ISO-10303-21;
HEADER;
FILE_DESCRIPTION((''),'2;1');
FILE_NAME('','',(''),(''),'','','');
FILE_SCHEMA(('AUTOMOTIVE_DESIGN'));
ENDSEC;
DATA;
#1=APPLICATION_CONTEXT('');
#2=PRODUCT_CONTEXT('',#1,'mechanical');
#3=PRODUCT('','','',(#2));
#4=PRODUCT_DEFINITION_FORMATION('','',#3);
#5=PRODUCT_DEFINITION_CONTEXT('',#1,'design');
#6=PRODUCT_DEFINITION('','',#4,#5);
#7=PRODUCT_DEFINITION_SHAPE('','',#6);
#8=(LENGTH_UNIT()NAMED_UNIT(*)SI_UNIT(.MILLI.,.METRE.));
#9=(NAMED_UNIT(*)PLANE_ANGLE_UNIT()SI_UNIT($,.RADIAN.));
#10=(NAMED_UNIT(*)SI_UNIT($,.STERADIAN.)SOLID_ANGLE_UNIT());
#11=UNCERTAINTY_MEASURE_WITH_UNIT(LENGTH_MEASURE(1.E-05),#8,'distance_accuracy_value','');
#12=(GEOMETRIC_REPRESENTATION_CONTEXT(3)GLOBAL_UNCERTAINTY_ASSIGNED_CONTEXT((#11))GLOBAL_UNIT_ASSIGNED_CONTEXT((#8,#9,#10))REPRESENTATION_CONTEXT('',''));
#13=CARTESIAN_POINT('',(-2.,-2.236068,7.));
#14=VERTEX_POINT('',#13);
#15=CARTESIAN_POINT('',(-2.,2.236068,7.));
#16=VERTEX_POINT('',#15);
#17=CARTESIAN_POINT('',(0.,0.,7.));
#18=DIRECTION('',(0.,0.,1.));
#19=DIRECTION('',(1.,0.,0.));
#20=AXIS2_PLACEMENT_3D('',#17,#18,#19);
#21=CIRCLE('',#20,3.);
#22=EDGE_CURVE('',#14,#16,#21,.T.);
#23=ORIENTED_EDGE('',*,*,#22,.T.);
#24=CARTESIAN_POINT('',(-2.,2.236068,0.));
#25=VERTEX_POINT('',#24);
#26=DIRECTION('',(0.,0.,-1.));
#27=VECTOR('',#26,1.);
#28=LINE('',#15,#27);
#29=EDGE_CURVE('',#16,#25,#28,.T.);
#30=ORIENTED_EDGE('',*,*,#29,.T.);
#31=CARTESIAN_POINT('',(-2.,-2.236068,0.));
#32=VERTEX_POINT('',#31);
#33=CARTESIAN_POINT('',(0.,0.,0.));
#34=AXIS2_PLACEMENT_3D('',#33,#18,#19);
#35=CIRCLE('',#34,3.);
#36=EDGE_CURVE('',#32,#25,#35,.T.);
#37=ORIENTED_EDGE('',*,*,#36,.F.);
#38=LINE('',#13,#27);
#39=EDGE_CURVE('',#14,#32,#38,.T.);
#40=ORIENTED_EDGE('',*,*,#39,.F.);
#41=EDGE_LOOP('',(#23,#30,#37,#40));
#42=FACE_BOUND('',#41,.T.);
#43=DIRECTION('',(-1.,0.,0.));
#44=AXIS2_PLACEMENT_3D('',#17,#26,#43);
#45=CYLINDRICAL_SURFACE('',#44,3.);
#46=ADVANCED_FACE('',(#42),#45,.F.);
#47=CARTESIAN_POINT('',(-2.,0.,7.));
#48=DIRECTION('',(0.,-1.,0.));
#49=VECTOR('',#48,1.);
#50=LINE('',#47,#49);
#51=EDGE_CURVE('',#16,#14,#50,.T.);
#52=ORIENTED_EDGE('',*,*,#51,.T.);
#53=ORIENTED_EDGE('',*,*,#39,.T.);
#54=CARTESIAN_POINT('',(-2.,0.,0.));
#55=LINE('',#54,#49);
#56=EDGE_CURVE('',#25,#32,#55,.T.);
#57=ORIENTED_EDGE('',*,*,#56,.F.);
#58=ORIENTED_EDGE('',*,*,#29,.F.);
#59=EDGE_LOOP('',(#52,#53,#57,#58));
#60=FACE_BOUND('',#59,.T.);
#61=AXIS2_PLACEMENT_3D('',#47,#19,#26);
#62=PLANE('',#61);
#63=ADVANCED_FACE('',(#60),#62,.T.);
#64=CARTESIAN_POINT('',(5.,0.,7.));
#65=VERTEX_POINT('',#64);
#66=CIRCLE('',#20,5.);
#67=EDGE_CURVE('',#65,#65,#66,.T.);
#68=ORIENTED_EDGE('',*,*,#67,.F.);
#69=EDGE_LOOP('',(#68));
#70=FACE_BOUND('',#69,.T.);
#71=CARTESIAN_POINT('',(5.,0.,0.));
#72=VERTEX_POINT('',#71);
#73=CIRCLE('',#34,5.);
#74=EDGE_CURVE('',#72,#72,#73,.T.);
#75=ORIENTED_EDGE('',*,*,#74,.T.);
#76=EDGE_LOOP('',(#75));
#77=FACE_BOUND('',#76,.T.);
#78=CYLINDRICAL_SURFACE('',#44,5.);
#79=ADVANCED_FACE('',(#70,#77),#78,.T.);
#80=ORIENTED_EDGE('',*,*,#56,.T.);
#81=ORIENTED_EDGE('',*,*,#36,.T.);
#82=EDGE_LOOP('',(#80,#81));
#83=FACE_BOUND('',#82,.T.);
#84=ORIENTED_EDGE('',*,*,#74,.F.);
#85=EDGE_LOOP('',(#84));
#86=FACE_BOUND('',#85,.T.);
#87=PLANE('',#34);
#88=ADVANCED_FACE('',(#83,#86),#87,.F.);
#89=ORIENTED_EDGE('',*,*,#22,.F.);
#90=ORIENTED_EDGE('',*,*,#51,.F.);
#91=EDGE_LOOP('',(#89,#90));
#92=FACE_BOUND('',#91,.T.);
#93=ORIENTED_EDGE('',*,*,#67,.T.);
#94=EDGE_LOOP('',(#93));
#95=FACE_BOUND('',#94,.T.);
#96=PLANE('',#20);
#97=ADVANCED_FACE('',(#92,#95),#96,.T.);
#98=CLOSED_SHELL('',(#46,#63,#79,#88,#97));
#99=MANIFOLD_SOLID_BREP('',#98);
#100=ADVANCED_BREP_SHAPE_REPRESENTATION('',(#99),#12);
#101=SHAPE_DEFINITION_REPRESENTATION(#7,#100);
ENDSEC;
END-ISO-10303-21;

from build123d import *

# Parameters (mm, degrees)
SKETCH1_R           = 5
BOSS_EXTRUDE1_DEPTH = 7


with BuildPart() as part:
    # Sketch1 → Boss-Extrude1 (new body)
    with BuildSketch(Plane.XY):
        Circle(SKETCH1_R)
        with BuildLine():
            Line((-2, -2.236067977), (-2, 2.236067977))
            ThreePointArc((-2, 2.236067977), (3, 0), (-2, -2.236067977))
        make_face(mode=Mode.SUBTRACT)
    extrude(amount=BOSS_EXTRUDE1_DEPTH)


solid = part.part
